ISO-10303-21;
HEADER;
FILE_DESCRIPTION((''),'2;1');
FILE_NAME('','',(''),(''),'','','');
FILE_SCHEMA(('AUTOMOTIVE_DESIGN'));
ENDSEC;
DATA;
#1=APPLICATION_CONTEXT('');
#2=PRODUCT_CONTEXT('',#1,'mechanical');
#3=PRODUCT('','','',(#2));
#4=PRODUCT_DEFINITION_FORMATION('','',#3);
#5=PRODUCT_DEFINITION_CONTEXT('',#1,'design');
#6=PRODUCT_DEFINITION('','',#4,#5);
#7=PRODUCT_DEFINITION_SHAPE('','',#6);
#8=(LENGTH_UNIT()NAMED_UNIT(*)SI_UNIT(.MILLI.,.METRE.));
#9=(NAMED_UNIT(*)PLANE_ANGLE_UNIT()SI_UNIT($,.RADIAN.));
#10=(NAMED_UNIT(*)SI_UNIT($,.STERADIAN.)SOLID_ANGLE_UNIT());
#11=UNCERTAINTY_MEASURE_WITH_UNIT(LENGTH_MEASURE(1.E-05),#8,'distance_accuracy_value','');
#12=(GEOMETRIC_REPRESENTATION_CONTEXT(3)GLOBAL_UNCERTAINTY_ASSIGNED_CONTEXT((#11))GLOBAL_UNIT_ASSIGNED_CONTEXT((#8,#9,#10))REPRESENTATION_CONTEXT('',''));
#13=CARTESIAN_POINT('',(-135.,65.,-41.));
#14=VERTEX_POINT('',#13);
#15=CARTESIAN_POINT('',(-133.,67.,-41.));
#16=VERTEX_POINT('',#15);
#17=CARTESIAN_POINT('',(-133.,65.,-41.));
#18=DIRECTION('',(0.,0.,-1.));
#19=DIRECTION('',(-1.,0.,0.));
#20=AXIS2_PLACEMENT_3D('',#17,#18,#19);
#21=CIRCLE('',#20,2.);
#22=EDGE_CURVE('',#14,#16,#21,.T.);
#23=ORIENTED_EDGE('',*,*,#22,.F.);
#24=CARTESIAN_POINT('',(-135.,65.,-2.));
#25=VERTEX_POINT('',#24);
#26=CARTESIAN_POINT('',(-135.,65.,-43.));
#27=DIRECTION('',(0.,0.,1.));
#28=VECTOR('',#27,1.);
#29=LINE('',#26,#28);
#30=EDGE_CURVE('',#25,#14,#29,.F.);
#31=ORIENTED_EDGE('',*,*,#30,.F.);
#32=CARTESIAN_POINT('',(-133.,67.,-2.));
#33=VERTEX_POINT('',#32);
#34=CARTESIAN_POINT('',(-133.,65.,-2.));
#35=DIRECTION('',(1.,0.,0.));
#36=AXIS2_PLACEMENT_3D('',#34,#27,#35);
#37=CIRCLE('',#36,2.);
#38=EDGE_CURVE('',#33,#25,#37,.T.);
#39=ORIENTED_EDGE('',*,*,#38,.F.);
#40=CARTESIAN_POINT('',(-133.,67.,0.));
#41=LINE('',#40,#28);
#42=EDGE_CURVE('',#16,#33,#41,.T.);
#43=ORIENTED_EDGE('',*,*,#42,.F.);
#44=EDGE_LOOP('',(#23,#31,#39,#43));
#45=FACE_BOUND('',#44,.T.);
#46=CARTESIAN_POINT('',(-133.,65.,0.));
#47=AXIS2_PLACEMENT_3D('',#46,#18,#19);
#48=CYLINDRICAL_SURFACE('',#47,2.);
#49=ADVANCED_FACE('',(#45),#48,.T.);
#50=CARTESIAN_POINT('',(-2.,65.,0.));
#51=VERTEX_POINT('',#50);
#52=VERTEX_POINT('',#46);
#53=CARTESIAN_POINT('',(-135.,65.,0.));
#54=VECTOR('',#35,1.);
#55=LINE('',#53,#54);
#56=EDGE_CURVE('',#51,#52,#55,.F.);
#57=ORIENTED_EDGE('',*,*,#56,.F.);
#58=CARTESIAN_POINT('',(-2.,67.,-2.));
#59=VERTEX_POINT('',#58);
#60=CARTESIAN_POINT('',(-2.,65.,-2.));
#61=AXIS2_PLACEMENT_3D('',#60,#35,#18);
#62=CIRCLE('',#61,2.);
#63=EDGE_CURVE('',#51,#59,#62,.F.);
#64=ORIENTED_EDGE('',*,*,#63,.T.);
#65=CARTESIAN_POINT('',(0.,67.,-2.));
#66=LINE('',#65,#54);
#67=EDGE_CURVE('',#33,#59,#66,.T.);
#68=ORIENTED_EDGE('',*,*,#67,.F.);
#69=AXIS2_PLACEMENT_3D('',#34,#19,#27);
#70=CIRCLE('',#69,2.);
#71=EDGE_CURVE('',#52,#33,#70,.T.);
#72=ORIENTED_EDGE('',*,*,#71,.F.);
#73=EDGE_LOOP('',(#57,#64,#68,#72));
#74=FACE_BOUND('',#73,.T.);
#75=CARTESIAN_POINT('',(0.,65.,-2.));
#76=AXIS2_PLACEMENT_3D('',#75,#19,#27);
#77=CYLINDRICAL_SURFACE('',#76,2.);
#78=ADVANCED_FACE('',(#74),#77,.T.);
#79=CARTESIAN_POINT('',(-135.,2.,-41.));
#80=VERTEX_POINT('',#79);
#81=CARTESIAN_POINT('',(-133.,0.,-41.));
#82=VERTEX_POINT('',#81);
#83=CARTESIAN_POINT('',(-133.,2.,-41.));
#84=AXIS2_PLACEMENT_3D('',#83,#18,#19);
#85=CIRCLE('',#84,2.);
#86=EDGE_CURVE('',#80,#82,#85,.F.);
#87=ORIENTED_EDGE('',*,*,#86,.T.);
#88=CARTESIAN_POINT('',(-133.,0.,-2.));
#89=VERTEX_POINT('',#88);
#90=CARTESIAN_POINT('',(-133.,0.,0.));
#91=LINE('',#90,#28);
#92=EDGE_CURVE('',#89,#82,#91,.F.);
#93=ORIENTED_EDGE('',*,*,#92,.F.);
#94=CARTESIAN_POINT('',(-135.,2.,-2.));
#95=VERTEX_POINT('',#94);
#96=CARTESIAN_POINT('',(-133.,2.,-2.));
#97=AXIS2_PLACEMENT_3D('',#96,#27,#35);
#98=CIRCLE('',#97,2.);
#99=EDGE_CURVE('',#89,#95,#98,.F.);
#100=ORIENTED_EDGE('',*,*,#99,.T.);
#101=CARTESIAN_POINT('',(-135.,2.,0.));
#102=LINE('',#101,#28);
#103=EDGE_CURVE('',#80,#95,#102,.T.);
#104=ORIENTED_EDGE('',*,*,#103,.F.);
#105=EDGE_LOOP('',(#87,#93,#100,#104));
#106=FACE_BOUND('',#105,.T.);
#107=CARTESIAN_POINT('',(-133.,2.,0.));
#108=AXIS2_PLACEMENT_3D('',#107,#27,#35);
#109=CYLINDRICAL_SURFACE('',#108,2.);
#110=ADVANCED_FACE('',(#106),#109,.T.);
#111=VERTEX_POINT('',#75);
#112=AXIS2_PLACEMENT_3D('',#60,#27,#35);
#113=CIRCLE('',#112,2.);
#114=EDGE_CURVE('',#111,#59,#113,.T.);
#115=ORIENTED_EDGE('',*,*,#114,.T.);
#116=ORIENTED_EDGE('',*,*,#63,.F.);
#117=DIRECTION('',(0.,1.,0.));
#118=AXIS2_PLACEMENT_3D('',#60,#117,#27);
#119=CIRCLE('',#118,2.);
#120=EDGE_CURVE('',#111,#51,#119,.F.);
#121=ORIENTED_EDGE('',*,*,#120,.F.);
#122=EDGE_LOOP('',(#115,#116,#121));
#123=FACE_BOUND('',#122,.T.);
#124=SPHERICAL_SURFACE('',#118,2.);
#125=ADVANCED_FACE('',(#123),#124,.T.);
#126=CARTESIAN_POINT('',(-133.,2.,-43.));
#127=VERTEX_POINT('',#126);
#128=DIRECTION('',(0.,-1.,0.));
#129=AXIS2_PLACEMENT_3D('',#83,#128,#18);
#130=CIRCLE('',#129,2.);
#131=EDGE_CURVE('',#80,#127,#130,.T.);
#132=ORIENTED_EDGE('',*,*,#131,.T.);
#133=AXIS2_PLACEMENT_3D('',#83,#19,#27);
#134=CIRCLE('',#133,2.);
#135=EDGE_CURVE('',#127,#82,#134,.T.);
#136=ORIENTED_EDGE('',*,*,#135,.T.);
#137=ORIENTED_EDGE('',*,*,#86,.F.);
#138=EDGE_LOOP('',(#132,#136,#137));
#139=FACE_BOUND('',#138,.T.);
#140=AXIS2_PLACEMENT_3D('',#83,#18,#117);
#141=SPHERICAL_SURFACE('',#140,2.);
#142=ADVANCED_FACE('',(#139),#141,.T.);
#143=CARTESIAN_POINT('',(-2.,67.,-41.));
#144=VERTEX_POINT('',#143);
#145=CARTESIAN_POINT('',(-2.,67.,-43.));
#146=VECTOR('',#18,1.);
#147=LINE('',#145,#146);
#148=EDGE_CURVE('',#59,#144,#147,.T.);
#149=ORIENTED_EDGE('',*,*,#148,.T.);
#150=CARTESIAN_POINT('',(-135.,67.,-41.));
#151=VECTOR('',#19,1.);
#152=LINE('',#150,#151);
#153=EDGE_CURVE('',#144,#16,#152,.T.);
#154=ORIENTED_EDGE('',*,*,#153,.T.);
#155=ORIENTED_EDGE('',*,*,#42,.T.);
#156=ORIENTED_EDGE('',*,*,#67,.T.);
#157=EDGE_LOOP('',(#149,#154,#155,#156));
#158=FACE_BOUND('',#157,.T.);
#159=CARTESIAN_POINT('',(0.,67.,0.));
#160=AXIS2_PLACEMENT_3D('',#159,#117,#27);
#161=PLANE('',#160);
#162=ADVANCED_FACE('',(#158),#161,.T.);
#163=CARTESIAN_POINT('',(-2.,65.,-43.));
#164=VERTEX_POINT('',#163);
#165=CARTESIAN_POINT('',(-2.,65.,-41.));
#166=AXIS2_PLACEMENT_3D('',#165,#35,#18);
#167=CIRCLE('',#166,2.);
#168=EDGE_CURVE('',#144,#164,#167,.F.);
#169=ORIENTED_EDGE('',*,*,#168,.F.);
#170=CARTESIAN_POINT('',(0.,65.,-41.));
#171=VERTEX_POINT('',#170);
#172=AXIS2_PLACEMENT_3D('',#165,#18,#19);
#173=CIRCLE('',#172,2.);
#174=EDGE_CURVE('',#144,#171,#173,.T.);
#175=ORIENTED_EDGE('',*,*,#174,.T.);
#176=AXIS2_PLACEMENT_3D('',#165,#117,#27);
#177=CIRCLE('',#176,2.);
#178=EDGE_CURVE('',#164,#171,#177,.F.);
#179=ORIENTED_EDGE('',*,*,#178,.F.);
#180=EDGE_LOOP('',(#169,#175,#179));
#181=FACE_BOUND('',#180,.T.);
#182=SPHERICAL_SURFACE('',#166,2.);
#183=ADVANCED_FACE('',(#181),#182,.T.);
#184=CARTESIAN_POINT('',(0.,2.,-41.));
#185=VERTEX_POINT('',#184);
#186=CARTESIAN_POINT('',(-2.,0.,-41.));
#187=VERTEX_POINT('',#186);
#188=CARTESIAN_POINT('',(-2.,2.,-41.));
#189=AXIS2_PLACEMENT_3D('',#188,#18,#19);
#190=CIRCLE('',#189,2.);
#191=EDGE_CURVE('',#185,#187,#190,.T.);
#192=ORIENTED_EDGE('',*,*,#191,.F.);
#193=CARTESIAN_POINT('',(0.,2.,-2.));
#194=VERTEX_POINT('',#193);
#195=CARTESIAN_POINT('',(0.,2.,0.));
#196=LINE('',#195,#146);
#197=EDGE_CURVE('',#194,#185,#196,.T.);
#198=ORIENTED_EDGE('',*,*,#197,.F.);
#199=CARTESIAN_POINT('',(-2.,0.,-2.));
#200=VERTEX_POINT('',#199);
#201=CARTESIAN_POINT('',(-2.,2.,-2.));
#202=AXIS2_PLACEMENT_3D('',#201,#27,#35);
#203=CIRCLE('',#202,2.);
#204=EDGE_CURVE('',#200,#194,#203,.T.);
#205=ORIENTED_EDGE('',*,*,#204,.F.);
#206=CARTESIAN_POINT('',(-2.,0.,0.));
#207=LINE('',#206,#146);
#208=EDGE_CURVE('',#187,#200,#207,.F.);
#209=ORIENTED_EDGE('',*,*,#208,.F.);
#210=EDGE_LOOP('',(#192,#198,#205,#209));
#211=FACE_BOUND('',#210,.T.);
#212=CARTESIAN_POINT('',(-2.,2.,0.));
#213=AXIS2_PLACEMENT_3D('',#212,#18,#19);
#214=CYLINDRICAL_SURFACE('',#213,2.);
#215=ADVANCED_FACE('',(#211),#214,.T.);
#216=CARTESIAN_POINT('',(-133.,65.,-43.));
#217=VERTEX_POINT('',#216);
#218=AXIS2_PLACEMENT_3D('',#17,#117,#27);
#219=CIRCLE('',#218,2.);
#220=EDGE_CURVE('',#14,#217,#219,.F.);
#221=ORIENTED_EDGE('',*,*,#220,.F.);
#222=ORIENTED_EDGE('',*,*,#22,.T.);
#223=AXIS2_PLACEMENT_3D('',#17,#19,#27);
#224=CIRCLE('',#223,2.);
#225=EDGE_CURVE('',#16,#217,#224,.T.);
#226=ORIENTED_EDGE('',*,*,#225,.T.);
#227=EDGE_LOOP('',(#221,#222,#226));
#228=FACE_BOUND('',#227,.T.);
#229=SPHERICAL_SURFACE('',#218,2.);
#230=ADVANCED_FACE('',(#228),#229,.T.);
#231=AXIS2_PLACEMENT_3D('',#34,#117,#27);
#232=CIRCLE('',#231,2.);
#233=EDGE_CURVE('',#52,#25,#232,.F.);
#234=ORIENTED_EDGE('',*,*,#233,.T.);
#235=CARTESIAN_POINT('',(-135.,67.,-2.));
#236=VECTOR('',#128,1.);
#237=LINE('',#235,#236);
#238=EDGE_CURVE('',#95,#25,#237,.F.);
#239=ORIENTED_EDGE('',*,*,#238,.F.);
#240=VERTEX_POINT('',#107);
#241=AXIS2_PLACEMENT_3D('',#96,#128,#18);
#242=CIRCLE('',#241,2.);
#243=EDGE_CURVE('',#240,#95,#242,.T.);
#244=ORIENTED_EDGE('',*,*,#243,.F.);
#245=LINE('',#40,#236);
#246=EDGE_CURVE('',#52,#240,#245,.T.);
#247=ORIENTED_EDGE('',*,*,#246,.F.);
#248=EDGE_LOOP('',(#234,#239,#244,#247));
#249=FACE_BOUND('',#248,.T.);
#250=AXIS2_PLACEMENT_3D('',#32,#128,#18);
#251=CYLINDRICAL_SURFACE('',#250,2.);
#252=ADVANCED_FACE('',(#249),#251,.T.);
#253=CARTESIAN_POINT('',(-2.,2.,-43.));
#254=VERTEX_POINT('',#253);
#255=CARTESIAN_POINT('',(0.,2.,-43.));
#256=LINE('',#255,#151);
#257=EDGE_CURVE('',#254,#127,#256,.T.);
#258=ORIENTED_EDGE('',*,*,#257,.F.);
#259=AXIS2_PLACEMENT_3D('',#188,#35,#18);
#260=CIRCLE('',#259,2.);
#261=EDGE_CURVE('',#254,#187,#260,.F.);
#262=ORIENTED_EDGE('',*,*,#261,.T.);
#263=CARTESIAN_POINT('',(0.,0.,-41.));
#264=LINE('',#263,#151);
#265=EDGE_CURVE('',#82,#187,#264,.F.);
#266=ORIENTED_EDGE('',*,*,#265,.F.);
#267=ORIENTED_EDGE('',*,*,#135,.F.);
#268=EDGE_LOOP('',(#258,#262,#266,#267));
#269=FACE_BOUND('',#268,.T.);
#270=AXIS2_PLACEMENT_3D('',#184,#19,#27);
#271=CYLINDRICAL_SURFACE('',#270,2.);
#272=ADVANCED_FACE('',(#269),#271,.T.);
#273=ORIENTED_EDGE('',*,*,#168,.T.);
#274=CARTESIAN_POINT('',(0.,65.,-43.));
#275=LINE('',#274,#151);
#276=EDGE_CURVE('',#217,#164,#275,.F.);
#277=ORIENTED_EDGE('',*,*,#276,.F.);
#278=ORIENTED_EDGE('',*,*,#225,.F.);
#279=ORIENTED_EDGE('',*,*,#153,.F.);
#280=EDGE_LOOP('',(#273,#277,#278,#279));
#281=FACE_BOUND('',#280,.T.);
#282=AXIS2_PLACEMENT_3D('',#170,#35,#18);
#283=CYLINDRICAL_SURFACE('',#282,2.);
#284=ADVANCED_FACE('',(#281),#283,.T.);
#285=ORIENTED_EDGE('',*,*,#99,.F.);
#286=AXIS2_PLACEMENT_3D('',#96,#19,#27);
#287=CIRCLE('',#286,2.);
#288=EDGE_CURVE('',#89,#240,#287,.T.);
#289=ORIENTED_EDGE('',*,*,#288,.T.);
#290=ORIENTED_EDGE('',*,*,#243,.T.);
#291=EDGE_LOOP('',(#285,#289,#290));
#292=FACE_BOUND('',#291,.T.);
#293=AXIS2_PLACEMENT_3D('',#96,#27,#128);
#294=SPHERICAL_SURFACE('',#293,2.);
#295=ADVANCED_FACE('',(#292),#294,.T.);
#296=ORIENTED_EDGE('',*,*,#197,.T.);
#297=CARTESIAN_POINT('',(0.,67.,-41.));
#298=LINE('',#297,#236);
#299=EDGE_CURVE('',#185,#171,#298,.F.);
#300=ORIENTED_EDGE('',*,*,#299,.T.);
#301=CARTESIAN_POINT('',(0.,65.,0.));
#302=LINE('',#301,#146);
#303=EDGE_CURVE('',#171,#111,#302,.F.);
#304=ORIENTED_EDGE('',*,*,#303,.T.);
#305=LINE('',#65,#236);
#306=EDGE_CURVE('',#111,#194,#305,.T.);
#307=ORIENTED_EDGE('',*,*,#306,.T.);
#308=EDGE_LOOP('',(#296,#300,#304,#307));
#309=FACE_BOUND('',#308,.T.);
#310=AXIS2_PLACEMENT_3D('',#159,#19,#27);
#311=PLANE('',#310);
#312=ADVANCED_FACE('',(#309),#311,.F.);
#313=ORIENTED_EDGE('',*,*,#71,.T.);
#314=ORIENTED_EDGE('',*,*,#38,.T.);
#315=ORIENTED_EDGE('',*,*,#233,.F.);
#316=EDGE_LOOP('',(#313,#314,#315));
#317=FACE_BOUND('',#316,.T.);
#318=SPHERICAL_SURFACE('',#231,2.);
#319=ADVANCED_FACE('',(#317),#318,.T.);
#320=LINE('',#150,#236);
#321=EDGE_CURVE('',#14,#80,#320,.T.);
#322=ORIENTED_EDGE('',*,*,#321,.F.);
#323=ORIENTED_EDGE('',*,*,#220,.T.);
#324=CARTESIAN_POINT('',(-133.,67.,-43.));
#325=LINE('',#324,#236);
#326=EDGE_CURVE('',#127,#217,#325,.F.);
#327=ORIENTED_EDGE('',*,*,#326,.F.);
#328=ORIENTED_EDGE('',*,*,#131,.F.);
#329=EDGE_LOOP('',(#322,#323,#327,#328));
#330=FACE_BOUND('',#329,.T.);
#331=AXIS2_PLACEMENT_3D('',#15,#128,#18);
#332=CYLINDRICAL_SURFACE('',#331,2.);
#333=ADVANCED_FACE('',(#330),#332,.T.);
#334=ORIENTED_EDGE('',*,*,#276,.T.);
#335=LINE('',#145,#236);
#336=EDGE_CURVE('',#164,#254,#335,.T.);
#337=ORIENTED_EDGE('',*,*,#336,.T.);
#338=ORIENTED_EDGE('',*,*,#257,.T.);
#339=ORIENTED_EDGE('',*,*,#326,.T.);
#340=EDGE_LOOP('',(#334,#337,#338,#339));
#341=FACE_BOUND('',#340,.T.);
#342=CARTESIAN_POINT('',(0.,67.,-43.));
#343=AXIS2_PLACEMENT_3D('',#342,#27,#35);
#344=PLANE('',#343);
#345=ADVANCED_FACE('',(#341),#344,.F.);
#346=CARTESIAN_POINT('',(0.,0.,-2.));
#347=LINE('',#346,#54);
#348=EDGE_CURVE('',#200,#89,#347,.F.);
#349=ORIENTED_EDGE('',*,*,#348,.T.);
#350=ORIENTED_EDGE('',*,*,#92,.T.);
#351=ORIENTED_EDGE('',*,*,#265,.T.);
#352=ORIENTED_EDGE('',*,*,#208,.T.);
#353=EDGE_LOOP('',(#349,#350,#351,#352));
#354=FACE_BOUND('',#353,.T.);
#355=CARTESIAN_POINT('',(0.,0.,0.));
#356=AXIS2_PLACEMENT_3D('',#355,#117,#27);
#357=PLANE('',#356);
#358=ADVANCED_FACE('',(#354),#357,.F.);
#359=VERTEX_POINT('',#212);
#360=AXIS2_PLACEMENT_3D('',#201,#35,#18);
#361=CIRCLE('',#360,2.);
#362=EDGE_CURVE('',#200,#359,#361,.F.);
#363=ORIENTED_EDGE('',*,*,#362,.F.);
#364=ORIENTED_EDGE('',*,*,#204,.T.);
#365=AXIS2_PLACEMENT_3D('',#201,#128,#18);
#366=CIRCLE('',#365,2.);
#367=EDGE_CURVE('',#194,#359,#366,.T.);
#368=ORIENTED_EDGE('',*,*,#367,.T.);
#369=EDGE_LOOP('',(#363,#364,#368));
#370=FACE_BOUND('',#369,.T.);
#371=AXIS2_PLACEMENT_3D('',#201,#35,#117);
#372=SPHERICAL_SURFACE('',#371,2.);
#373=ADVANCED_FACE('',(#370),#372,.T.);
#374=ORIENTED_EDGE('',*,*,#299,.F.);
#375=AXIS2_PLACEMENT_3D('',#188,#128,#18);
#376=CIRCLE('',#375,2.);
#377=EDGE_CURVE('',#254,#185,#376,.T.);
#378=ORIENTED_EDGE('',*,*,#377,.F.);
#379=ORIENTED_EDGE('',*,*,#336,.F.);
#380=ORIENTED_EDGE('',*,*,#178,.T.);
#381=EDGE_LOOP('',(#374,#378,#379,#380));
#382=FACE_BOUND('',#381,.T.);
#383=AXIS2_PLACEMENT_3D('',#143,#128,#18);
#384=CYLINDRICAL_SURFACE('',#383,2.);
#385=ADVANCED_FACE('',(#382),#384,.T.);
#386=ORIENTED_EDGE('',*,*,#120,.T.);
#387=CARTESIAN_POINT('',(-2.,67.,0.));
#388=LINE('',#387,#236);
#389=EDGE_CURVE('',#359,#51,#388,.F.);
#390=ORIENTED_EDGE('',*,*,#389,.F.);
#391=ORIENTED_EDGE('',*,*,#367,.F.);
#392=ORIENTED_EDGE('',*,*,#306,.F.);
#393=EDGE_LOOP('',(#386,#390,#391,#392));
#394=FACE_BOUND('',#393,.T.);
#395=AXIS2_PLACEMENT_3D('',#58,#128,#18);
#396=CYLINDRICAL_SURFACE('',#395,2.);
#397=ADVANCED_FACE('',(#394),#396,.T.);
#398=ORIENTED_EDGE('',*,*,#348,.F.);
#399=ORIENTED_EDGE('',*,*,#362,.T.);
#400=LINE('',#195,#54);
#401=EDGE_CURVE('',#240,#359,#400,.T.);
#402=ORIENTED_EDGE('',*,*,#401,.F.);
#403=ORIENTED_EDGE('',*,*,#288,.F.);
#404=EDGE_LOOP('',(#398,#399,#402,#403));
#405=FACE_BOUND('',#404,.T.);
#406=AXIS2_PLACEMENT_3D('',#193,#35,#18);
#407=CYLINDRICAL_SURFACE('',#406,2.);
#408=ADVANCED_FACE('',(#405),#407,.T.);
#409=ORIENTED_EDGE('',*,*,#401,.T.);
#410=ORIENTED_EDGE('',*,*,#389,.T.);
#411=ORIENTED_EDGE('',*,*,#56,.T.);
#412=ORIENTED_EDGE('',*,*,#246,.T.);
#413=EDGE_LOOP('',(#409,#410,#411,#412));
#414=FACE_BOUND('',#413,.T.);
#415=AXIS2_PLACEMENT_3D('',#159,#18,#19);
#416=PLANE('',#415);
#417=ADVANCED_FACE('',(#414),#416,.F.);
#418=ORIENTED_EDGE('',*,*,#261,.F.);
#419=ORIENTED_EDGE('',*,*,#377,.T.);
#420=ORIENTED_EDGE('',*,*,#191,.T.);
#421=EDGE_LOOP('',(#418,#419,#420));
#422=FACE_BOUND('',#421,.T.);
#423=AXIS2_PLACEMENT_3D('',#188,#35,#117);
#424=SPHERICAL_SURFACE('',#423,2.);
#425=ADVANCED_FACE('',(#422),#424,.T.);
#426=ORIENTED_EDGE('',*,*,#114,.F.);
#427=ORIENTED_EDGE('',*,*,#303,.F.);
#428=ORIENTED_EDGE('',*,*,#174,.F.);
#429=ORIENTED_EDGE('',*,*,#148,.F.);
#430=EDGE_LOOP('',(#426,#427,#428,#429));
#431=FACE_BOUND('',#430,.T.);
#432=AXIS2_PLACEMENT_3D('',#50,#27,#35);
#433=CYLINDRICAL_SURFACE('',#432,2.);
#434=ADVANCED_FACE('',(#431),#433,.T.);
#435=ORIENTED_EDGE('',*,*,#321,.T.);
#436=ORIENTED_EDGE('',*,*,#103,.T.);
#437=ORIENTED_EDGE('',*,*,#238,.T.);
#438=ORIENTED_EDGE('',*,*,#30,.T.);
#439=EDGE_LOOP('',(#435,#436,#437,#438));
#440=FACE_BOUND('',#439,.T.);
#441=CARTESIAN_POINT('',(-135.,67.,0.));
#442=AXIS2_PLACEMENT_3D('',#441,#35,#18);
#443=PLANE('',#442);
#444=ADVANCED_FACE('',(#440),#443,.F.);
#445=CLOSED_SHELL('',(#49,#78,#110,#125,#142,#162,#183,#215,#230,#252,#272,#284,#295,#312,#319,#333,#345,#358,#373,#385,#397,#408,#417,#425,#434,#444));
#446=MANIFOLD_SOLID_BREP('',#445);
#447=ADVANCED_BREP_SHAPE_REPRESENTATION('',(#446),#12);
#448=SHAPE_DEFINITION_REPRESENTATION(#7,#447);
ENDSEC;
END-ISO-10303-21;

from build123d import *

# Parameters (mm, degrees)
SKETCH_1_W      = 135
SKETCH_1_H      = 43
EXTRUDE_1_DEPTH = 67
FILLET_1_R      = 2


with BuildPart() as part:
    # Эскиз1 → Бобышка-Вытянуть1 (new body)
    with BuildSketch(Plane(origin=(0, 0, 0), x_dir=(1, 0, 0), z_dir=(0, 1, 0))):
        with Locations((-67.5, 21.5)):
            Rectangle(SKETCH_1_W, SKETCH_1_H)
    extrude(amount=EXTRUDE_1_DEPTH)

    # Скругление1
    fillet_1_edges = [part.edges().sort_by_distance(p)[0] for p in [
        (-135, 67, -21.5),
        (-67.5, 67, 0),
        (0, 67, -21.5),
        (-67.5, 0, 0),
        (-135, 0, -21.5),
        (-67.5, 0, -43),
        (0, 0, -21.5),
        (0, 33.5, 0),
        (-135, 33.5, 0),
        (-135, 33.5, -43),
        (0, 33.5, -43),
        (-67.5, 67, -43),
    ]]
    fillet(fillet_1_edges, radius=FILLET_1_R)


solid = part.part
